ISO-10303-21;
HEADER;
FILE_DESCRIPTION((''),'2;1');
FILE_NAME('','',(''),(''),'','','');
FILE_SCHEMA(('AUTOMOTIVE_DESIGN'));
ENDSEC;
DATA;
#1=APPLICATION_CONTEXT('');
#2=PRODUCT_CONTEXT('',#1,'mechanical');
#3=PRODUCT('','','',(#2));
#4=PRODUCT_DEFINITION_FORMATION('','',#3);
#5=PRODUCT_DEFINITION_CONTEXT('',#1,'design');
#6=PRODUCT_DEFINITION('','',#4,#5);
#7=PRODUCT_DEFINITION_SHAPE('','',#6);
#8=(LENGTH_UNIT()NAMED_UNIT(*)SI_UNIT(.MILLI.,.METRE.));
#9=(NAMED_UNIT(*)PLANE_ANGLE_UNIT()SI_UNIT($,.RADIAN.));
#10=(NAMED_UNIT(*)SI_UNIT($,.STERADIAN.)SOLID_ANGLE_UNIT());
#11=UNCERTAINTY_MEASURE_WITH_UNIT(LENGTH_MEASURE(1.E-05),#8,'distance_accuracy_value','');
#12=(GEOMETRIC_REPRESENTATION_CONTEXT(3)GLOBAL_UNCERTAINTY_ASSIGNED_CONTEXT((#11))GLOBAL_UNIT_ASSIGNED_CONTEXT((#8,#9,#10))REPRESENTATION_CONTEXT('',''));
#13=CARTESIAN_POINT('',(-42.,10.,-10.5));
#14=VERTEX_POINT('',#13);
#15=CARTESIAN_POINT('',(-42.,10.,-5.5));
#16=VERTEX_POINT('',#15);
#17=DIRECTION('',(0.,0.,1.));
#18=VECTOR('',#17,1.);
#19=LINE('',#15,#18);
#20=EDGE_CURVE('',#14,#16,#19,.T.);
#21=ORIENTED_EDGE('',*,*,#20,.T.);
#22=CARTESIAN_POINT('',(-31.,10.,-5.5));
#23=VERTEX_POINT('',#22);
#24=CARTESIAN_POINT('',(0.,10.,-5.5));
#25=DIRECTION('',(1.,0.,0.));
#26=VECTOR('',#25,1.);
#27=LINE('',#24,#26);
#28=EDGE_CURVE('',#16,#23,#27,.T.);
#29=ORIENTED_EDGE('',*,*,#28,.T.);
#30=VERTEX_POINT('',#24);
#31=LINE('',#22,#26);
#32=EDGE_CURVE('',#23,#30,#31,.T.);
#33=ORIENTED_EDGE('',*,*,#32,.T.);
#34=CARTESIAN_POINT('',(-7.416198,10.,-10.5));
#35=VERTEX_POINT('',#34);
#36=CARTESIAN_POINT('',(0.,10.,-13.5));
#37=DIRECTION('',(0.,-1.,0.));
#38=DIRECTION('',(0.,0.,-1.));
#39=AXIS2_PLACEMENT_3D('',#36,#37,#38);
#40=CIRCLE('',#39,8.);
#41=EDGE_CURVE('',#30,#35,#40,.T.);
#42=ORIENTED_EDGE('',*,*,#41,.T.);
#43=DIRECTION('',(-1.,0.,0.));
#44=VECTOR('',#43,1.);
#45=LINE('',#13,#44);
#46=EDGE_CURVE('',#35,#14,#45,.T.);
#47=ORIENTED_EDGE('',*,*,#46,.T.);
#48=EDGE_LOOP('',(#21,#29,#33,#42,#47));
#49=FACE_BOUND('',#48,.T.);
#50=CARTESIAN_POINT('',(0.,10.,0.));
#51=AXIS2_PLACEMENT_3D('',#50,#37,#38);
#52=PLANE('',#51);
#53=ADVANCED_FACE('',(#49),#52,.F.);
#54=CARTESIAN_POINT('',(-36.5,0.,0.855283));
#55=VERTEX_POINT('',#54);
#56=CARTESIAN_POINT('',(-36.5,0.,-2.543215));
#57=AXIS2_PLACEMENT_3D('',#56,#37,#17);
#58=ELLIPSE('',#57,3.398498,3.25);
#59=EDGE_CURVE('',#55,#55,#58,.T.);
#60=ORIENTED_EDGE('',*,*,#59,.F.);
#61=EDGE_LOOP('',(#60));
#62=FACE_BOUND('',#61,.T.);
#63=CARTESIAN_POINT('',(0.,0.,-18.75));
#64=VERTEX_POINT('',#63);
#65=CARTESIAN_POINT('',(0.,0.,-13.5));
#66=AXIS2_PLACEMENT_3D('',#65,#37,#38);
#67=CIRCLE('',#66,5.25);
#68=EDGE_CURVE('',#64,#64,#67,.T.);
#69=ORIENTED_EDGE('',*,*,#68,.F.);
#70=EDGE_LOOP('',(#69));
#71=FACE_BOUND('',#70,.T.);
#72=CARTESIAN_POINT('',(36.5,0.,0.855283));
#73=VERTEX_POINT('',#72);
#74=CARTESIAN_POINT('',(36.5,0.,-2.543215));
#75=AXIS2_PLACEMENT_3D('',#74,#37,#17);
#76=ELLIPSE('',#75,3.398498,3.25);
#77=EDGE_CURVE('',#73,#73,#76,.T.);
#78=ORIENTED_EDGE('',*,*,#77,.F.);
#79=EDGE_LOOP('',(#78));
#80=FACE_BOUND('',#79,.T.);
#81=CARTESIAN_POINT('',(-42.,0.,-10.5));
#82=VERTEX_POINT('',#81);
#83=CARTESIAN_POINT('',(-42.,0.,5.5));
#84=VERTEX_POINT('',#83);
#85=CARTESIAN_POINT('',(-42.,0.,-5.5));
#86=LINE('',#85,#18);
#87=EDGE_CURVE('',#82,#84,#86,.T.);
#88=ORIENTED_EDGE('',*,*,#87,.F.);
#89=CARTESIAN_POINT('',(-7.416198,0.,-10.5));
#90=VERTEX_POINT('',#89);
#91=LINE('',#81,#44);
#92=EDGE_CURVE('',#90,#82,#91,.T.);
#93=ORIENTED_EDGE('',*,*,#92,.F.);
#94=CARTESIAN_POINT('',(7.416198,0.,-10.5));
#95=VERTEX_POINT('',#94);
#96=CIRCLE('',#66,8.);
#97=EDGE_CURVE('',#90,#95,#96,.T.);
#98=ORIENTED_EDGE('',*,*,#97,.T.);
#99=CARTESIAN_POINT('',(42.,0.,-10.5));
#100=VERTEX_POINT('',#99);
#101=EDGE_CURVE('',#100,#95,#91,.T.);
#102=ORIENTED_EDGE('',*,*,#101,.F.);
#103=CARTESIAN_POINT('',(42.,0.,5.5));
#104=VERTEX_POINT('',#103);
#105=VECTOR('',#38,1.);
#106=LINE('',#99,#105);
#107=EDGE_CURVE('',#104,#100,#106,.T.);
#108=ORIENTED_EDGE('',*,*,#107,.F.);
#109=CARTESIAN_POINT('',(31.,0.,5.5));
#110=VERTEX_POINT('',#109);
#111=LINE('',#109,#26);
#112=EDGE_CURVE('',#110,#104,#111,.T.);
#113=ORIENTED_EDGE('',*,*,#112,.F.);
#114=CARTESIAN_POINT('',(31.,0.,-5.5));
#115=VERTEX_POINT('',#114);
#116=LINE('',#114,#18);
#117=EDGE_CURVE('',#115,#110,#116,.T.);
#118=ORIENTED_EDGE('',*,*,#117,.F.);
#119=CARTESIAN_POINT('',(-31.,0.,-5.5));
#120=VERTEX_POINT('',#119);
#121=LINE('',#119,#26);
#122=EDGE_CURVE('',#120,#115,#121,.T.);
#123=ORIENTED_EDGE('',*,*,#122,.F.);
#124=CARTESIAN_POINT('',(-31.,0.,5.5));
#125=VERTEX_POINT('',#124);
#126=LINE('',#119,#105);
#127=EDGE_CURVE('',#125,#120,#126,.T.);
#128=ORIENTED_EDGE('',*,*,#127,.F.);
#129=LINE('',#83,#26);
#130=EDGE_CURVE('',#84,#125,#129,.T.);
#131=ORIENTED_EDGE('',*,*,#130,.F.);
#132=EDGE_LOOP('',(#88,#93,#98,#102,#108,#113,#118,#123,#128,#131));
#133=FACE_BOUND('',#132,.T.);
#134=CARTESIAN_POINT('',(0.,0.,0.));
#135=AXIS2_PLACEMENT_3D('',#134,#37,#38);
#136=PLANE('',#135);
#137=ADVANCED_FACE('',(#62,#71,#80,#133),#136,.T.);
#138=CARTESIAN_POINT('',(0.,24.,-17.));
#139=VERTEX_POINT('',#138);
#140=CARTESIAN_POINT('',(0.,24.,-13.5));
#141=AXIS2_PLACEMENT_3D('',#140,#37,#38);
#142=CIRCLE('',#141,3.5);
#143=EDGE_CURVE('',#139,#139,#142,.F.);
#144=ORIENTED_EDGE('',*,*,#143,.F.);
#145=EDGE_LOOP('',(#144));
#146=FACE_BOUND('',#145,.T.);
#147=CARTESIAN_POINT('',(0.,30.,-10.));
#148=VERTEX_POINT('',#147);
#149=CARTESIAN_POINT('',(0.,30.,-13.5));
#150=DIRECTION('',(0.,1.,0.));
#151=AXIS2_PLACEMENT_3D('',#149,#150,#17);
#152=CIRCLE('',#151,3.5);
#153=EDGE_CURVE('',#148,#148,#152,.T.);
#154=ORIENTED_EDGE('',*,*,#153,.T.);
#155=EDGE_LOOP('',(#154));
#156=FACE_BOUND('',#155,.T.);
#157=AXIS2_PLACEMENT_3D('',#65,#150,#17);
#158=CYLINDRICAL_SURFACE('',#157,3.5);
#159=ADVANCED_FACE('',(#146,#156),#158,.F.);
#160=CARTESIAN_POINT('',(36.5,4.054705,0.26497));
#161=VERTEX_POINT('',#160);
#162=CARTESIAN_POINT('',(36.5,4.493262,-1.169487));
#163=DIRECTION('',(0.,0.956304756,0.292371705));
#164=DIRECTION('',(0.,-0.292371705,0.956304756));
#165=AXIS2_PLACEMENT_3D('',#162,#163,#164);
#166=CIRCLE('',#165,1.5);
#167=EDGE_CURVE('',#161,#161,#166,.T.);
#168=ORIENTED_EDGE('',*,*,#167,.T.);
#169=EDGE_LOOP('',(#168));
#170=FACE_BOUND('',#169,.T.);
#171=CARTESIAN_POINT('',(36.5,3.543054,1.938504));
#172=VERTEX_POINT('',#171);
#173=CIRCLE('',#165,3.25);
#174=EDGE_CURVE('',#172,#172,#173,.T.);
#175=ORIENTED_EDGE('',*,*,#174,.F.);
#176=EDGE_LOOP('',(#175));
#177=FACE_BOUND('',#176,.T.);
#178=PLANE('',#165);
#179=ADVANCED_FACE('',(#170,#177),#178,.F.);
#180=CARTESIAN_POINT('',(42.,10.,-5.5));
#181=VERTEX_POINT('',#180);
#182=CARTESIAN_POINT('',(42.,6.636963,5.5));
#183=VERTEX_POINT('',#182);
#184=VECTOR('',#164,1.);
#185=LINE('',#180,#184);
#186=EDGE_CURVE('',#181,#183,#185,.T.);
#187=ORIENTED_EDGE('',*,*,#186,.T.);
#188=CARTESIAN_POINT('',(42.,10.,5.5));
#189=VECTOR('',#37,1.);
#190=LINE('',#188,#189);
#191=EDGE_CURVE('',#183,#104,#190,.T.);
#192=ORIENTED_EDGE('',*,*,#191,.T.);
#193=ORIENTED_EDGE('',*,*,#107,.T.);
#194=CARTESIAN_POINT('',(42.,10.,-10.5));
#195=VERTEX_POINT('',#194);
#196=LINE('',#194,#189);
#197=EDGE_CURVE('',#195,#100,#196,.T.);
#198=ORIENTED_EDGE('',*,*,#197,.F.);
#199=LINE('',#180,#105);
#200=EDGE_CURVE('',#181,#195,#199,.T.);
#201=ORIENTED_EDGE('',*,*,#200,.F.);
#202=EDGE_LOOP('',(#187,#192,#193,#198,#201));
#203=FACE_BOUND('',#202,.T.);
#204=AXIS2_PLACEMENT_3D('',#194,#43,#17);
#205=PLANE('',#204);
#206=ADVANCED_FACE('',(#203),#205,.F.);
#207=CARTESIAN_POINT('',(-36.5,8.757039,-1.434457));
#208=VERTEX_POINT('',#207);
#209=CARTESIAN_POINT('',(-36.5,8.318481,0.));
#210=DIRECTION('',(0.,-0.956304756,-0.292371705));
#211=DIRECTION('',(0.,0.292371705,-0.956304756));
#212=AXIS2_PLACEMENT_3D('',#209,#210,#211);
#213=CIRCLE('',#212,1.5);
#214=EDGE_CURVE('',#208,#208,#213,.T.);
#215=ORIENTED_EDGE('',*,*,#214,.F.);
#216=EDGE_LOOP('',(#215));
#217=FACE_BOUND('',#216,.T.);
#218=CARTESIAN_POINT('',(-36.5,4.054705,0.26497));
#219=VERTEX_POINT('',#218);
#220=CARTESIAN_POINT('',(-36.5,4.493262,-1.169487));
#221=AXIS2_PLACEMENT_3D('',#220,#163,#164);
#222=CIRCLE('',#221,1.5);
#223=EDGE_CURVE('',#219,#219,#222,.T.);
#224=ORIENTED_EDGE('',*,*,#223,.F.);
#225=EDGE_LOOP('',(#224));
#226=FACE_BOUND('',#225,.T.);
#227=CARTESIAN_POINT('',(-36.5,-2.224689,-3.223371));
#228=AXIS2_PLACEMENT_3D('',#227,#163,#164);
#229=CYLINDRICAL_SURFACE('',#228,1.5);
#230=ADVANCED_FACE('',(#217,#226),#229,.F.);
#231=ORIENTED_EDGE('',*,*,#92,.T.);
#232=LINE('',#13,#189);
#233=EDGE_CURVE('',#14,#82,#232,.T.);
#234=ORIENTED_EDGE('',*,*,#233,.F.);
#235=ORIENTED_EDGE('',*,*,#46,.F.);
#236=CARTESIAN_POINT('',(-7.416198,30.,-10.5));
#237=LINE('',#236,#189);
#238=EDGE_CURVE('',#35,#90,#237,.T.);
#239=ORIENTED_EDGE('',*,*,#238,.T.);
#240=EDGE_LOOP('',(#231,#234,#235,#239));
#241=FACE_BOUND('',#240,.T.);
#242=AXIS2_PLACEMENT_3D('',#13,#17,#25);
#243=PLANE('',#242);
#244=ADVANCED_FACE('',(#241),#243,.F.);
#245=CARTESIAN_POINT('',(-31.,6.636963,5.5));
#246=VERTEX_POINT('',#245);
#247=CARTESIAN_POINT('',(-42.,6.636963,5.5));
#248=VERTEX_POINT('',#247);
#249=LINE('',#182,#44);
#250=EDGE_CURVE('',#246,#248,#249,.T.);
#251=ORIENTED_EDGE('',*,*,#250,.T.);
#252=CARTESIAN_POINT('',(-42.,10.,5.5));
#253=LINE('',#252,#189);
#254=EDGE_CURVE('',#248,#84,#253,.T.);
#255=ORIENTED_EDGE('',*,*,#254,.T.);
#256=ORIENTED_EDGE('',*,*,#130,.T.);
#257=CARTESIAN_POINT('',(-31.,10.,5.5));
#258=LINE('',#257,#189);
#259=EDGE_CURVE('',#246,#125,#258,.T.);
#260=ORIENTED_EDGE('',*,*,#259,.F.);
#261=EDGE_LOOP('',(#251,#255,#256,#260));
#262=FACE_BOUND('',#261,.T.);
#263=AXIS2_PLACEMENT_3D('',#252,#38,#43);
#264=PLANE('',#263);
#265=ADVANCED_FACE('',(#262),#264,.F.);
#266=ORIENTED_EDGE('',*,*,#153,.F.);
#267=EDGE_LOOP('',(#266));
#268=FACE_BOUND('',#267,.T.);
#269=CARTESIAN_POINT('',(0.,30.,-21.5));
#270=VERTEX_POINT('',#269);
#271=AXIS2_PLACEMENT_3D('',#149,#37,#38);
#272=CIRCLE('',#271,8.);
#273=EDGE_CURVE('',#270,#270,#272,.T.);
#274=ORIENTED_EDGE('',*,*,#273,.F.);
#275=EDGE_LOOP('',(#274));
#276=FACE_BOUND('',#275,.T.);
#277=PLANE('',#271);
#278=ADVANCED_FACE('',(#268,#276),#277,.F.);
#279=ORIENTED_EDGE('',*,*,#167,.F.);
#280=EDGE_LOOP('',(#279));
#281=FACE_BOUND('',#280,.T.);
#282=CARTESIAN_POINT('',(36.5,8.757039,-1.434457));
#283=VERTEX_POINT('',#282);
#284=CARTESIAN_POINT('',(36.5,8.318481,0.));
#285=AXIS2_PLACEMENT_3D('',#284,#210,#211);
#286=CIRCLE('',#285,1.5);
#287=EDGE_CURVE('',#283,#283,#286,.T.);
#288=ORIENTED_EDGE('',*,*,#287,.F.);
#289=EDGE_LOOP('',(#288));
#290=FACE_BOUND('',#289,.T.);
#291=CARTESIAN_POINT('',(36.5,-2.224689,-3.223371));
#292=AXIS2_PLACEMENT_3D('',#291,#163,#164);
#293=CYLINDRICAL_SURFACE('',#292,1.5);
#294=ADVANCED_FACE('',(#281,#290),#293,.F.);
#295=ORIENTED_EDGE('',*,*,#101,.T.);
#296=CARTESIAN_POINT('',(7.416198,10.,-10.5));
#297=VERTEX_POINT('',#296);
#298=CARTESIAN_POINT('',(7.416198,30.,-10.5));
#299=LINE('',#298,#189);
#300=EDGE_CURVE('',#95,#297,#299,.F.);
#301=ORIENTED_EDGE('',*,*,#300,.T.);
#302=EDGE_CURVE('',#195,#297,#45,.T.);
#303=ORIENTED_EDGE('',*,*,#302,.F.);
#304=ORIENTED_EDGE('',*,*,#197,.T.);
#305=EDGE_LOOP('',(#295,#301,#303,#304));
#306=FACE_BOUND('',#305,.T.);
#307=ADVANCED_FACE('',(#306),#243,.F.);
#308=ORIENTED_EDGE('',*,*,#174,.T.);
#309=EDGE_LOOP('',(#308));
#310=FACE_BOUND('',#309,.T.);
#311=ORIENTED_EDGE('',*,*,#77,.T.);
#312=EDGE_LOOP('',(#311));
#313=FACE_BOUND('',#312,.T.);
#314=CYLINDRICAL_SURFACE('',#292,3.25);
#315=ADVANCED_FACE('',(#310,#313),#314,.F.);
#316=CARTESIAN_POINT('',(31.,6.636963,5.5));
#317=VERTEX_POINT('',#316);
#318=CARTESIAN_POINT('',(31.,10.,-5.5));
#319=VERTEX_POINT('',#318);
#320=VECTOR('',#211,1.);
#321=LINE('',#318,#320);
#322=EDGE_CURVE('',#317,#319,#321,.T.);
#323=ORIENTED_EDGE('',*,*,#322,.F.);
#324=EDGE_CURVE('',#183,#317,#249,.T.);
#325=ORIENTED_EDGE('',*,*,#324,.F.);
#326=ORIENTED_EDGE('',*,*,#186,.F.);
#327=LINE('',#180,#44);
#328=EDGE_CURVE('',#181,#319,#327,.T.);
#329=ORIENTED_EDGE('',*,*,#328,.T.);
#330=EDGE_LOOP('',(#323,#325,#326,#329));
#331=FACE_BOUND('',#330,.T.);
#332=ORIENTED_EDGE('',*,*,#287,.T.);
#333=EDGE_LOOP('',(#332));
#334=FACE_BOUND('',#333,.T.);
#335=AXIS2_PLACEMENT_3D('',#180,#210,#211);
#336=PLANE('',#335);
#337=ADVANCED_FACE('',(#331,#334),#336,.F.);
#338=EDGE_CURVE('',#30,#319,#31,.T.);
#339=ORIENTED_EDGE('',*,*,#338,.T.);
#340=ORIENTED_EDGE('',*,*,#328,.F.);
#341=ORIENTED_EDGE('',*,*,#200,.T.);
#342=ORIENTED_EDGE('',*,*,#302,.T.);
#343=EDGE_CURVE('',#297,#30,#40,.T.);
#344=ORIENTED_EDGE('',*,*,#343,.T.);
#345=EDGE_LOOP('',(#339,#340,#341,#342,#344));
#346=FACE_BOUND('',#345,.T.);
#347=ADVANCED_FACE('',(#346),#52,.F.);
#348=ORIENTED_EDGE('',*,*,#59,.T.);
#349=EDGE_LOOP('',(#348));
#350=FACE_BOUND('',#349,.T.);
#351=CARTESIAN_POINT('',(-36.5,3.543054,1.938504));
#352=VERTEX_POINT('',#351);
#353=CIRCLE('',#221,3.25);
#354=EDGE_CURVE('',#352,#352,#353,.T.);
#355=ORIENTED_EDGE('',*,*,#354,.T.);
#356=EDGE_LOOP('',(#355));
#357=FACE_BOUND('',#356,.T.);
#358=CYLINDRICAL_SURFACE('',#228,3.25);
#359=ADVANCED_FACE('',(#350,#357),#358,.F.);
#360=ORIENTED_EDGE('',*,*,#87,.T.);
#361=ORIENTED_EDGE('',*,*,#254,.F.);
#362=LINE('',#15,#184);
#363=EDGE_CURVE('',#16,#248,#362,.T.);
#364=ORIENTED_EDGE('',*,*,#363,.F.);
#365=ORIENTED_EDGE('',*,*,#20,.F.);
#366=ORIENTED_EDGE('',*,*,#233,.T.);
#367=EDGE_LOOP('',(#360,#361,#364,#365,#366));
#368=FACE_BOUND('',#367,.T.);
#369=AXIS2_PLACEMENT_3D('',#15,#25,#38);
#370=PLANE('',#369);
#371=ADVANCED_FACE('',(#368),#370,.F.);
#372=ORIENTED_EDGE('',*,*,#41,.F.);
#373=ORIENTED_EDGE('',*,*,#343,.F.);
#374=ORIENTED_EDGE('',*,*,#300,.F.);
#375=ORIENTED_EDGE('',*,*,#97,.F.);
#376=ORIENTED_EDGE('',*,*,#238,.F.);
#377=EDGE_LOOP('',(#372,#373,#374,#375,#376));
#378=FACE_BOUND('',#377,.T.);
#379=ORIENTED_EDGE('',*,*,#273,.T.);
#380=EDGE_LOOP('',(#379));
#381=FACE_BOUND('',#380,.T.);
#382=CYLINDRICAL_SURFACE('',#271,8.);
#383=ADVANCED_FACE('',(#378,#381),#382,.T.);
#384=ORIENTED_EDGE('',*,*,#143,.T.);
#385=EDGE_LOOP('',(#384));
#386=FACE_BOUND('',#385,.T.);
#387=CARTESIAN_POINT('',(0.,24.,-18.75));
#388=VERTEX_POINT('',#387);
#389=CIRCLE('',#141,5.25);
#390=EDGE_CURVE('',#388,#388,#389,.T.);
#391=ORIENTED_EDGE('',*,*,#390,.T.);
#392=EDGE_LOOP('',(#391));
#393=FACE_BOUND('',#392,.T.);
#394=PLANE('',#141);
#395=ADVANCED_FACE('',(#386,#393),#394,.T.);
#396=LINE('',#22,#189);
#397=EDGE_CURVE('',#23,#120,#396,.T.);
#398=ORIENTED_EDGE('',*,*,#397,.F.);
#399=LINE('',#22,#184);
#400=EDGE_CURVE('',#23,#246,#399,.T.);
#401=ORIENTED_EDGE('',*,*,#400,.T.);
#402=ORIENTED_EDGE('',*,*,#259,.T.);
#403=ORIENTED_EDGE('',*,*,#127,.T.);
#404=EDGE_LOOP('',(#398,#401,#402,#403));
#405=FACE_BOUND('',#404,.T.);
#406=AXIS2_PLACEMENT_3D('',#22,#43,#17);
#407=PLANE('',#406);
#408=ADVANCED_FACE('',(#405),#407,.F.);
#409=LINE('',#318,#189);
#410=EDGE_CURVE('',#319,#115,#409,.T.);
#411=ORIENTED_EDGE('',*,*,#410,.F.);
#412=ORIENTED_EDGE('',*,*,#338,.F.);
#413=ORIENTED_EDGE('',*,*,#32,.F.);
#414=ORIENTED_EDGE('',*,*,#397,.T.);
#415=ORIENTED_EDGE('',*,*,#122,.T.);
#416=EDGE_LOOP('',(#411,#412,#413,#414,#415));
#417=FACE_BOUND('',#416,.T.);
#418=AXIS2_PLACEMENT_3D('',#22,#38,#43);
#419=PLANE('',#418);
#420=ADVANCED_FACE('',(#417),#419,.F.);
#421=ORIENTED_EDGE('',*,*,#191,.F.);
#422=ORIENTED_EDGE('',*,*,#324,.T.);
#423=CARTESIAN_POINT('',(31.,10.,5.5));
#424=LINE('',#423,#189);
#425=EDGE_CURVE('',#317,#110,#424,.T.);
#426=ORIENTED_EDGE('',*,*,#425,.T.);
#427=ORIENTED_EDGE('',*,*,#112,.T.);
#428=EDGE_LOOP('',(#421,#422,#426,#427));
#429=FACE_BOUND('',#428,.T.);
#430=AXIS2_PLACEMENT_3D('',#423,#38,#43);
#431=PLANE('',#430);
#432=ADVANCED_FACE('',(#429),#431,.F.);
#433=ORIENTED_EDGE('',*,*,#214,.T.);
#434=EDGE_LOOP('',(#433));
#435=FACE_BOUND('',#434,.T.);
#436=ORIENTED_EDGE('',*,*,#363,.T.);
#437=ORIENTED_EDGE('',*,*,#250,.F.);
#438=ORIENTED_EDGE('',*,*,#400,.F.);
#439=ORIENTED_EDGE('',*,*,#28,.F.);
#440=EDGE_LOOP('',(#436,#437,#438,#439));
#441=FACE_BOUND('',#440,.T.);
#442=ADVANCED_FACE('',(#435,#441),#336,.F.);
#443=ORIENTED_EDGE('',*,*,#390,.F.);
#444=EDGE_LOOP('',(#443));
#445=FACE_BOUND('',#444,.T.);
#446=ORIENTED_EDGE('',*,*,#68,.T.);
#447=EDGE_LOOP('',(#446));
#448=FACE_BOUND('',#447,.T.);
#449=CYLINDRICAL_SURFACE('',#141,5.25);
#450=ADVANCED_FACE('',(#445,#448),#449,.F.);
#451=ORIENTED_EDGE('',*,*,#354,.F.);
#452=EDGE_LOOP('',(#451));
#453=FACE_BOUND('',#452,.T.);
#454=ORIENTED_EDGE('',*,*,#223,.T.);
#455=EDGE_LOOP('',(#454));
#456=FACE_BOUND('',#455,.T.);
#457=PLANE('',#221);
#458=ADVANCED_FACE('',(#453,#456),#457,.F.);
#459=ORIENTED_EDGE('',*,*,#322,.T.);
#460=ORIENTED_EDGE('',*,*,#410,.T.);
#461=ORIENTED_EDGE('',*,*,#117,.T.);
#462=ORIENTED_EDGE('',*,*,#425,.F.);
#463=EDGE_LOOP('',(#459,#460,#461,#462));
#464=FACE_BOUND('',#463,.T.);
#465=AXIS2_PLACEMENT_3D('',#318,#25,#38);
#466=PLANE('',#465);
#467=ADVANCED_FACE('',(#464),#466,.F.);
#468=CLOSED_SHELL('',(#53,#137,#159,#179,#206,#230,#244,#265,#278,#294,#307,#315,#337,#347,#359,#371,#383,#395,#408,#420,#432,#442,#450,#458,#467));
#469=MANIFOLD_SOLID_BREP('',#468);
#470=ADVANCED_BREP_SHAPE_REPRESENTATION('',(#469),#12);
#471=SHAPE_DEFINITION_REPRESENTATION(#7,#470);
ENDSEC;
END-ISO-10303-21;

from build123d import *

# Parameters (mm, degrees)
EXTRUDE_1_DEPTH     = 10
CUT_EXTRUDE_4_DEPTH = 85
SKETCH_6_R          = 1.5
CUT_EXTRUDE_5_DEPTH = 12.024906083
SKETCH_7_R          = 3.25
CUT_EXTRUDE_6_DEPTH = 8.024906083
SKETCH_8_R          = 8
EXTRUDE_2_DEPTH     = 30
SKETCH_9_R          = 3.5
CUT_EXTRUDE_7_DEPTH = 30
SKETCH_10_R         = 5.25
CUT_EXTRUDE_8_DEPTH = 24


with BuildPart() as part:
    # 草图1 → 凸台-拉伸1 (new body)
    with BuildSketch(Plane(origin=(0, 0, 0), x_dir=(1, 0, 0), z_dir=(0, 1, 0))):
        Polygon((-42, 5.5), (-42, 10.5), (42, 10.5), (42, 5.5), (42, -5.5), (31, -5.5), (31, 5.5), (-31, 5.5), (-31, -5.5), (-42, -5.5), align=None)
    extrude(amount=EXTRUDE_1_DEPTH)

    # 草图5 → 切除-拉伸4 (cut, through all)
    with BuildSketch(Plane.ZY.offset(42)):
        Polygon((-5.5, 10), (5.5, 6.636962504), (5.5, 10), align=None)
    extrude(amount=-CUT_EXTRUDE_4_DEPTH, mode=Mode.SUBTRACT)

    # 草图6 → 切除-拉伸5 (cut, through all)
    with BuildSketch(Plane(origin=(0, 12.692999356, -14.308403996), x_dir=(1, 0, 0), z_dir=(0, -0.956304756, -0.292371705))):
        with Locations((-36.5, 14.962180107)):
            Circle(SKETCH_6_R)
        with Locations((36.5, 14.962180107)):
            Circle(SKETCH_6_R)
    extrude(amount=CUT_EXTRUDE_5_DEPTH, mode=Mode.SUBTRACT)

    # 草图7 → 切除-拉伸6 (cut, through all)
    with BuildSketch(Plane(origin=(0, 3.782188354, 1.156331023), x_dir=(1, 0, 0), z_dir=(0, 0.956304756, 0.292371705))):
        with Locations((36.5, 2.432088544)):
            Circle(SKETCH_7_R)
        with Locations((-36.5, 2.432088544)):
            Circle(SKETCH_7_R)
    extrude(amount=-CUT_EXTRUDE_6_DEPTH, mode=Mode.SUBTRACT)

    # 草图8 → 凸台-拉伸2 (add)
    with BuildSketch(Plane.XZ):
        with Locations((0, -13.5)):
            Circle(SKETCH_8_R)
    extrude(amount=-EXTRUDE_2_DEPTH)

    # 草图9 → 切除-拉伸7 (cut)
    with BuildSketch(Plane(origin=(0, 30, 0), x_dir=(1, 0, 0), z_dir=(0, 1, 0))):
        with Locations((0, 13.5)):
            Circle(SKETCH_9_R)
    extrude(amount=-CUT_EXTRUDE_7_DEPTH, mode=Mode.SUBTRACT)

    # 草图10 → 切除-拉伸8 (cut)
    with BuildSketch(Plane.XZ):
        with Locations((0, -13.5)):
            Circle(SKETCH_10_R)
    extrude(amount=-CUT_EXTRUDE_8_DEPTH, mode=Mode.SUBTRACT)


solid = part.part
